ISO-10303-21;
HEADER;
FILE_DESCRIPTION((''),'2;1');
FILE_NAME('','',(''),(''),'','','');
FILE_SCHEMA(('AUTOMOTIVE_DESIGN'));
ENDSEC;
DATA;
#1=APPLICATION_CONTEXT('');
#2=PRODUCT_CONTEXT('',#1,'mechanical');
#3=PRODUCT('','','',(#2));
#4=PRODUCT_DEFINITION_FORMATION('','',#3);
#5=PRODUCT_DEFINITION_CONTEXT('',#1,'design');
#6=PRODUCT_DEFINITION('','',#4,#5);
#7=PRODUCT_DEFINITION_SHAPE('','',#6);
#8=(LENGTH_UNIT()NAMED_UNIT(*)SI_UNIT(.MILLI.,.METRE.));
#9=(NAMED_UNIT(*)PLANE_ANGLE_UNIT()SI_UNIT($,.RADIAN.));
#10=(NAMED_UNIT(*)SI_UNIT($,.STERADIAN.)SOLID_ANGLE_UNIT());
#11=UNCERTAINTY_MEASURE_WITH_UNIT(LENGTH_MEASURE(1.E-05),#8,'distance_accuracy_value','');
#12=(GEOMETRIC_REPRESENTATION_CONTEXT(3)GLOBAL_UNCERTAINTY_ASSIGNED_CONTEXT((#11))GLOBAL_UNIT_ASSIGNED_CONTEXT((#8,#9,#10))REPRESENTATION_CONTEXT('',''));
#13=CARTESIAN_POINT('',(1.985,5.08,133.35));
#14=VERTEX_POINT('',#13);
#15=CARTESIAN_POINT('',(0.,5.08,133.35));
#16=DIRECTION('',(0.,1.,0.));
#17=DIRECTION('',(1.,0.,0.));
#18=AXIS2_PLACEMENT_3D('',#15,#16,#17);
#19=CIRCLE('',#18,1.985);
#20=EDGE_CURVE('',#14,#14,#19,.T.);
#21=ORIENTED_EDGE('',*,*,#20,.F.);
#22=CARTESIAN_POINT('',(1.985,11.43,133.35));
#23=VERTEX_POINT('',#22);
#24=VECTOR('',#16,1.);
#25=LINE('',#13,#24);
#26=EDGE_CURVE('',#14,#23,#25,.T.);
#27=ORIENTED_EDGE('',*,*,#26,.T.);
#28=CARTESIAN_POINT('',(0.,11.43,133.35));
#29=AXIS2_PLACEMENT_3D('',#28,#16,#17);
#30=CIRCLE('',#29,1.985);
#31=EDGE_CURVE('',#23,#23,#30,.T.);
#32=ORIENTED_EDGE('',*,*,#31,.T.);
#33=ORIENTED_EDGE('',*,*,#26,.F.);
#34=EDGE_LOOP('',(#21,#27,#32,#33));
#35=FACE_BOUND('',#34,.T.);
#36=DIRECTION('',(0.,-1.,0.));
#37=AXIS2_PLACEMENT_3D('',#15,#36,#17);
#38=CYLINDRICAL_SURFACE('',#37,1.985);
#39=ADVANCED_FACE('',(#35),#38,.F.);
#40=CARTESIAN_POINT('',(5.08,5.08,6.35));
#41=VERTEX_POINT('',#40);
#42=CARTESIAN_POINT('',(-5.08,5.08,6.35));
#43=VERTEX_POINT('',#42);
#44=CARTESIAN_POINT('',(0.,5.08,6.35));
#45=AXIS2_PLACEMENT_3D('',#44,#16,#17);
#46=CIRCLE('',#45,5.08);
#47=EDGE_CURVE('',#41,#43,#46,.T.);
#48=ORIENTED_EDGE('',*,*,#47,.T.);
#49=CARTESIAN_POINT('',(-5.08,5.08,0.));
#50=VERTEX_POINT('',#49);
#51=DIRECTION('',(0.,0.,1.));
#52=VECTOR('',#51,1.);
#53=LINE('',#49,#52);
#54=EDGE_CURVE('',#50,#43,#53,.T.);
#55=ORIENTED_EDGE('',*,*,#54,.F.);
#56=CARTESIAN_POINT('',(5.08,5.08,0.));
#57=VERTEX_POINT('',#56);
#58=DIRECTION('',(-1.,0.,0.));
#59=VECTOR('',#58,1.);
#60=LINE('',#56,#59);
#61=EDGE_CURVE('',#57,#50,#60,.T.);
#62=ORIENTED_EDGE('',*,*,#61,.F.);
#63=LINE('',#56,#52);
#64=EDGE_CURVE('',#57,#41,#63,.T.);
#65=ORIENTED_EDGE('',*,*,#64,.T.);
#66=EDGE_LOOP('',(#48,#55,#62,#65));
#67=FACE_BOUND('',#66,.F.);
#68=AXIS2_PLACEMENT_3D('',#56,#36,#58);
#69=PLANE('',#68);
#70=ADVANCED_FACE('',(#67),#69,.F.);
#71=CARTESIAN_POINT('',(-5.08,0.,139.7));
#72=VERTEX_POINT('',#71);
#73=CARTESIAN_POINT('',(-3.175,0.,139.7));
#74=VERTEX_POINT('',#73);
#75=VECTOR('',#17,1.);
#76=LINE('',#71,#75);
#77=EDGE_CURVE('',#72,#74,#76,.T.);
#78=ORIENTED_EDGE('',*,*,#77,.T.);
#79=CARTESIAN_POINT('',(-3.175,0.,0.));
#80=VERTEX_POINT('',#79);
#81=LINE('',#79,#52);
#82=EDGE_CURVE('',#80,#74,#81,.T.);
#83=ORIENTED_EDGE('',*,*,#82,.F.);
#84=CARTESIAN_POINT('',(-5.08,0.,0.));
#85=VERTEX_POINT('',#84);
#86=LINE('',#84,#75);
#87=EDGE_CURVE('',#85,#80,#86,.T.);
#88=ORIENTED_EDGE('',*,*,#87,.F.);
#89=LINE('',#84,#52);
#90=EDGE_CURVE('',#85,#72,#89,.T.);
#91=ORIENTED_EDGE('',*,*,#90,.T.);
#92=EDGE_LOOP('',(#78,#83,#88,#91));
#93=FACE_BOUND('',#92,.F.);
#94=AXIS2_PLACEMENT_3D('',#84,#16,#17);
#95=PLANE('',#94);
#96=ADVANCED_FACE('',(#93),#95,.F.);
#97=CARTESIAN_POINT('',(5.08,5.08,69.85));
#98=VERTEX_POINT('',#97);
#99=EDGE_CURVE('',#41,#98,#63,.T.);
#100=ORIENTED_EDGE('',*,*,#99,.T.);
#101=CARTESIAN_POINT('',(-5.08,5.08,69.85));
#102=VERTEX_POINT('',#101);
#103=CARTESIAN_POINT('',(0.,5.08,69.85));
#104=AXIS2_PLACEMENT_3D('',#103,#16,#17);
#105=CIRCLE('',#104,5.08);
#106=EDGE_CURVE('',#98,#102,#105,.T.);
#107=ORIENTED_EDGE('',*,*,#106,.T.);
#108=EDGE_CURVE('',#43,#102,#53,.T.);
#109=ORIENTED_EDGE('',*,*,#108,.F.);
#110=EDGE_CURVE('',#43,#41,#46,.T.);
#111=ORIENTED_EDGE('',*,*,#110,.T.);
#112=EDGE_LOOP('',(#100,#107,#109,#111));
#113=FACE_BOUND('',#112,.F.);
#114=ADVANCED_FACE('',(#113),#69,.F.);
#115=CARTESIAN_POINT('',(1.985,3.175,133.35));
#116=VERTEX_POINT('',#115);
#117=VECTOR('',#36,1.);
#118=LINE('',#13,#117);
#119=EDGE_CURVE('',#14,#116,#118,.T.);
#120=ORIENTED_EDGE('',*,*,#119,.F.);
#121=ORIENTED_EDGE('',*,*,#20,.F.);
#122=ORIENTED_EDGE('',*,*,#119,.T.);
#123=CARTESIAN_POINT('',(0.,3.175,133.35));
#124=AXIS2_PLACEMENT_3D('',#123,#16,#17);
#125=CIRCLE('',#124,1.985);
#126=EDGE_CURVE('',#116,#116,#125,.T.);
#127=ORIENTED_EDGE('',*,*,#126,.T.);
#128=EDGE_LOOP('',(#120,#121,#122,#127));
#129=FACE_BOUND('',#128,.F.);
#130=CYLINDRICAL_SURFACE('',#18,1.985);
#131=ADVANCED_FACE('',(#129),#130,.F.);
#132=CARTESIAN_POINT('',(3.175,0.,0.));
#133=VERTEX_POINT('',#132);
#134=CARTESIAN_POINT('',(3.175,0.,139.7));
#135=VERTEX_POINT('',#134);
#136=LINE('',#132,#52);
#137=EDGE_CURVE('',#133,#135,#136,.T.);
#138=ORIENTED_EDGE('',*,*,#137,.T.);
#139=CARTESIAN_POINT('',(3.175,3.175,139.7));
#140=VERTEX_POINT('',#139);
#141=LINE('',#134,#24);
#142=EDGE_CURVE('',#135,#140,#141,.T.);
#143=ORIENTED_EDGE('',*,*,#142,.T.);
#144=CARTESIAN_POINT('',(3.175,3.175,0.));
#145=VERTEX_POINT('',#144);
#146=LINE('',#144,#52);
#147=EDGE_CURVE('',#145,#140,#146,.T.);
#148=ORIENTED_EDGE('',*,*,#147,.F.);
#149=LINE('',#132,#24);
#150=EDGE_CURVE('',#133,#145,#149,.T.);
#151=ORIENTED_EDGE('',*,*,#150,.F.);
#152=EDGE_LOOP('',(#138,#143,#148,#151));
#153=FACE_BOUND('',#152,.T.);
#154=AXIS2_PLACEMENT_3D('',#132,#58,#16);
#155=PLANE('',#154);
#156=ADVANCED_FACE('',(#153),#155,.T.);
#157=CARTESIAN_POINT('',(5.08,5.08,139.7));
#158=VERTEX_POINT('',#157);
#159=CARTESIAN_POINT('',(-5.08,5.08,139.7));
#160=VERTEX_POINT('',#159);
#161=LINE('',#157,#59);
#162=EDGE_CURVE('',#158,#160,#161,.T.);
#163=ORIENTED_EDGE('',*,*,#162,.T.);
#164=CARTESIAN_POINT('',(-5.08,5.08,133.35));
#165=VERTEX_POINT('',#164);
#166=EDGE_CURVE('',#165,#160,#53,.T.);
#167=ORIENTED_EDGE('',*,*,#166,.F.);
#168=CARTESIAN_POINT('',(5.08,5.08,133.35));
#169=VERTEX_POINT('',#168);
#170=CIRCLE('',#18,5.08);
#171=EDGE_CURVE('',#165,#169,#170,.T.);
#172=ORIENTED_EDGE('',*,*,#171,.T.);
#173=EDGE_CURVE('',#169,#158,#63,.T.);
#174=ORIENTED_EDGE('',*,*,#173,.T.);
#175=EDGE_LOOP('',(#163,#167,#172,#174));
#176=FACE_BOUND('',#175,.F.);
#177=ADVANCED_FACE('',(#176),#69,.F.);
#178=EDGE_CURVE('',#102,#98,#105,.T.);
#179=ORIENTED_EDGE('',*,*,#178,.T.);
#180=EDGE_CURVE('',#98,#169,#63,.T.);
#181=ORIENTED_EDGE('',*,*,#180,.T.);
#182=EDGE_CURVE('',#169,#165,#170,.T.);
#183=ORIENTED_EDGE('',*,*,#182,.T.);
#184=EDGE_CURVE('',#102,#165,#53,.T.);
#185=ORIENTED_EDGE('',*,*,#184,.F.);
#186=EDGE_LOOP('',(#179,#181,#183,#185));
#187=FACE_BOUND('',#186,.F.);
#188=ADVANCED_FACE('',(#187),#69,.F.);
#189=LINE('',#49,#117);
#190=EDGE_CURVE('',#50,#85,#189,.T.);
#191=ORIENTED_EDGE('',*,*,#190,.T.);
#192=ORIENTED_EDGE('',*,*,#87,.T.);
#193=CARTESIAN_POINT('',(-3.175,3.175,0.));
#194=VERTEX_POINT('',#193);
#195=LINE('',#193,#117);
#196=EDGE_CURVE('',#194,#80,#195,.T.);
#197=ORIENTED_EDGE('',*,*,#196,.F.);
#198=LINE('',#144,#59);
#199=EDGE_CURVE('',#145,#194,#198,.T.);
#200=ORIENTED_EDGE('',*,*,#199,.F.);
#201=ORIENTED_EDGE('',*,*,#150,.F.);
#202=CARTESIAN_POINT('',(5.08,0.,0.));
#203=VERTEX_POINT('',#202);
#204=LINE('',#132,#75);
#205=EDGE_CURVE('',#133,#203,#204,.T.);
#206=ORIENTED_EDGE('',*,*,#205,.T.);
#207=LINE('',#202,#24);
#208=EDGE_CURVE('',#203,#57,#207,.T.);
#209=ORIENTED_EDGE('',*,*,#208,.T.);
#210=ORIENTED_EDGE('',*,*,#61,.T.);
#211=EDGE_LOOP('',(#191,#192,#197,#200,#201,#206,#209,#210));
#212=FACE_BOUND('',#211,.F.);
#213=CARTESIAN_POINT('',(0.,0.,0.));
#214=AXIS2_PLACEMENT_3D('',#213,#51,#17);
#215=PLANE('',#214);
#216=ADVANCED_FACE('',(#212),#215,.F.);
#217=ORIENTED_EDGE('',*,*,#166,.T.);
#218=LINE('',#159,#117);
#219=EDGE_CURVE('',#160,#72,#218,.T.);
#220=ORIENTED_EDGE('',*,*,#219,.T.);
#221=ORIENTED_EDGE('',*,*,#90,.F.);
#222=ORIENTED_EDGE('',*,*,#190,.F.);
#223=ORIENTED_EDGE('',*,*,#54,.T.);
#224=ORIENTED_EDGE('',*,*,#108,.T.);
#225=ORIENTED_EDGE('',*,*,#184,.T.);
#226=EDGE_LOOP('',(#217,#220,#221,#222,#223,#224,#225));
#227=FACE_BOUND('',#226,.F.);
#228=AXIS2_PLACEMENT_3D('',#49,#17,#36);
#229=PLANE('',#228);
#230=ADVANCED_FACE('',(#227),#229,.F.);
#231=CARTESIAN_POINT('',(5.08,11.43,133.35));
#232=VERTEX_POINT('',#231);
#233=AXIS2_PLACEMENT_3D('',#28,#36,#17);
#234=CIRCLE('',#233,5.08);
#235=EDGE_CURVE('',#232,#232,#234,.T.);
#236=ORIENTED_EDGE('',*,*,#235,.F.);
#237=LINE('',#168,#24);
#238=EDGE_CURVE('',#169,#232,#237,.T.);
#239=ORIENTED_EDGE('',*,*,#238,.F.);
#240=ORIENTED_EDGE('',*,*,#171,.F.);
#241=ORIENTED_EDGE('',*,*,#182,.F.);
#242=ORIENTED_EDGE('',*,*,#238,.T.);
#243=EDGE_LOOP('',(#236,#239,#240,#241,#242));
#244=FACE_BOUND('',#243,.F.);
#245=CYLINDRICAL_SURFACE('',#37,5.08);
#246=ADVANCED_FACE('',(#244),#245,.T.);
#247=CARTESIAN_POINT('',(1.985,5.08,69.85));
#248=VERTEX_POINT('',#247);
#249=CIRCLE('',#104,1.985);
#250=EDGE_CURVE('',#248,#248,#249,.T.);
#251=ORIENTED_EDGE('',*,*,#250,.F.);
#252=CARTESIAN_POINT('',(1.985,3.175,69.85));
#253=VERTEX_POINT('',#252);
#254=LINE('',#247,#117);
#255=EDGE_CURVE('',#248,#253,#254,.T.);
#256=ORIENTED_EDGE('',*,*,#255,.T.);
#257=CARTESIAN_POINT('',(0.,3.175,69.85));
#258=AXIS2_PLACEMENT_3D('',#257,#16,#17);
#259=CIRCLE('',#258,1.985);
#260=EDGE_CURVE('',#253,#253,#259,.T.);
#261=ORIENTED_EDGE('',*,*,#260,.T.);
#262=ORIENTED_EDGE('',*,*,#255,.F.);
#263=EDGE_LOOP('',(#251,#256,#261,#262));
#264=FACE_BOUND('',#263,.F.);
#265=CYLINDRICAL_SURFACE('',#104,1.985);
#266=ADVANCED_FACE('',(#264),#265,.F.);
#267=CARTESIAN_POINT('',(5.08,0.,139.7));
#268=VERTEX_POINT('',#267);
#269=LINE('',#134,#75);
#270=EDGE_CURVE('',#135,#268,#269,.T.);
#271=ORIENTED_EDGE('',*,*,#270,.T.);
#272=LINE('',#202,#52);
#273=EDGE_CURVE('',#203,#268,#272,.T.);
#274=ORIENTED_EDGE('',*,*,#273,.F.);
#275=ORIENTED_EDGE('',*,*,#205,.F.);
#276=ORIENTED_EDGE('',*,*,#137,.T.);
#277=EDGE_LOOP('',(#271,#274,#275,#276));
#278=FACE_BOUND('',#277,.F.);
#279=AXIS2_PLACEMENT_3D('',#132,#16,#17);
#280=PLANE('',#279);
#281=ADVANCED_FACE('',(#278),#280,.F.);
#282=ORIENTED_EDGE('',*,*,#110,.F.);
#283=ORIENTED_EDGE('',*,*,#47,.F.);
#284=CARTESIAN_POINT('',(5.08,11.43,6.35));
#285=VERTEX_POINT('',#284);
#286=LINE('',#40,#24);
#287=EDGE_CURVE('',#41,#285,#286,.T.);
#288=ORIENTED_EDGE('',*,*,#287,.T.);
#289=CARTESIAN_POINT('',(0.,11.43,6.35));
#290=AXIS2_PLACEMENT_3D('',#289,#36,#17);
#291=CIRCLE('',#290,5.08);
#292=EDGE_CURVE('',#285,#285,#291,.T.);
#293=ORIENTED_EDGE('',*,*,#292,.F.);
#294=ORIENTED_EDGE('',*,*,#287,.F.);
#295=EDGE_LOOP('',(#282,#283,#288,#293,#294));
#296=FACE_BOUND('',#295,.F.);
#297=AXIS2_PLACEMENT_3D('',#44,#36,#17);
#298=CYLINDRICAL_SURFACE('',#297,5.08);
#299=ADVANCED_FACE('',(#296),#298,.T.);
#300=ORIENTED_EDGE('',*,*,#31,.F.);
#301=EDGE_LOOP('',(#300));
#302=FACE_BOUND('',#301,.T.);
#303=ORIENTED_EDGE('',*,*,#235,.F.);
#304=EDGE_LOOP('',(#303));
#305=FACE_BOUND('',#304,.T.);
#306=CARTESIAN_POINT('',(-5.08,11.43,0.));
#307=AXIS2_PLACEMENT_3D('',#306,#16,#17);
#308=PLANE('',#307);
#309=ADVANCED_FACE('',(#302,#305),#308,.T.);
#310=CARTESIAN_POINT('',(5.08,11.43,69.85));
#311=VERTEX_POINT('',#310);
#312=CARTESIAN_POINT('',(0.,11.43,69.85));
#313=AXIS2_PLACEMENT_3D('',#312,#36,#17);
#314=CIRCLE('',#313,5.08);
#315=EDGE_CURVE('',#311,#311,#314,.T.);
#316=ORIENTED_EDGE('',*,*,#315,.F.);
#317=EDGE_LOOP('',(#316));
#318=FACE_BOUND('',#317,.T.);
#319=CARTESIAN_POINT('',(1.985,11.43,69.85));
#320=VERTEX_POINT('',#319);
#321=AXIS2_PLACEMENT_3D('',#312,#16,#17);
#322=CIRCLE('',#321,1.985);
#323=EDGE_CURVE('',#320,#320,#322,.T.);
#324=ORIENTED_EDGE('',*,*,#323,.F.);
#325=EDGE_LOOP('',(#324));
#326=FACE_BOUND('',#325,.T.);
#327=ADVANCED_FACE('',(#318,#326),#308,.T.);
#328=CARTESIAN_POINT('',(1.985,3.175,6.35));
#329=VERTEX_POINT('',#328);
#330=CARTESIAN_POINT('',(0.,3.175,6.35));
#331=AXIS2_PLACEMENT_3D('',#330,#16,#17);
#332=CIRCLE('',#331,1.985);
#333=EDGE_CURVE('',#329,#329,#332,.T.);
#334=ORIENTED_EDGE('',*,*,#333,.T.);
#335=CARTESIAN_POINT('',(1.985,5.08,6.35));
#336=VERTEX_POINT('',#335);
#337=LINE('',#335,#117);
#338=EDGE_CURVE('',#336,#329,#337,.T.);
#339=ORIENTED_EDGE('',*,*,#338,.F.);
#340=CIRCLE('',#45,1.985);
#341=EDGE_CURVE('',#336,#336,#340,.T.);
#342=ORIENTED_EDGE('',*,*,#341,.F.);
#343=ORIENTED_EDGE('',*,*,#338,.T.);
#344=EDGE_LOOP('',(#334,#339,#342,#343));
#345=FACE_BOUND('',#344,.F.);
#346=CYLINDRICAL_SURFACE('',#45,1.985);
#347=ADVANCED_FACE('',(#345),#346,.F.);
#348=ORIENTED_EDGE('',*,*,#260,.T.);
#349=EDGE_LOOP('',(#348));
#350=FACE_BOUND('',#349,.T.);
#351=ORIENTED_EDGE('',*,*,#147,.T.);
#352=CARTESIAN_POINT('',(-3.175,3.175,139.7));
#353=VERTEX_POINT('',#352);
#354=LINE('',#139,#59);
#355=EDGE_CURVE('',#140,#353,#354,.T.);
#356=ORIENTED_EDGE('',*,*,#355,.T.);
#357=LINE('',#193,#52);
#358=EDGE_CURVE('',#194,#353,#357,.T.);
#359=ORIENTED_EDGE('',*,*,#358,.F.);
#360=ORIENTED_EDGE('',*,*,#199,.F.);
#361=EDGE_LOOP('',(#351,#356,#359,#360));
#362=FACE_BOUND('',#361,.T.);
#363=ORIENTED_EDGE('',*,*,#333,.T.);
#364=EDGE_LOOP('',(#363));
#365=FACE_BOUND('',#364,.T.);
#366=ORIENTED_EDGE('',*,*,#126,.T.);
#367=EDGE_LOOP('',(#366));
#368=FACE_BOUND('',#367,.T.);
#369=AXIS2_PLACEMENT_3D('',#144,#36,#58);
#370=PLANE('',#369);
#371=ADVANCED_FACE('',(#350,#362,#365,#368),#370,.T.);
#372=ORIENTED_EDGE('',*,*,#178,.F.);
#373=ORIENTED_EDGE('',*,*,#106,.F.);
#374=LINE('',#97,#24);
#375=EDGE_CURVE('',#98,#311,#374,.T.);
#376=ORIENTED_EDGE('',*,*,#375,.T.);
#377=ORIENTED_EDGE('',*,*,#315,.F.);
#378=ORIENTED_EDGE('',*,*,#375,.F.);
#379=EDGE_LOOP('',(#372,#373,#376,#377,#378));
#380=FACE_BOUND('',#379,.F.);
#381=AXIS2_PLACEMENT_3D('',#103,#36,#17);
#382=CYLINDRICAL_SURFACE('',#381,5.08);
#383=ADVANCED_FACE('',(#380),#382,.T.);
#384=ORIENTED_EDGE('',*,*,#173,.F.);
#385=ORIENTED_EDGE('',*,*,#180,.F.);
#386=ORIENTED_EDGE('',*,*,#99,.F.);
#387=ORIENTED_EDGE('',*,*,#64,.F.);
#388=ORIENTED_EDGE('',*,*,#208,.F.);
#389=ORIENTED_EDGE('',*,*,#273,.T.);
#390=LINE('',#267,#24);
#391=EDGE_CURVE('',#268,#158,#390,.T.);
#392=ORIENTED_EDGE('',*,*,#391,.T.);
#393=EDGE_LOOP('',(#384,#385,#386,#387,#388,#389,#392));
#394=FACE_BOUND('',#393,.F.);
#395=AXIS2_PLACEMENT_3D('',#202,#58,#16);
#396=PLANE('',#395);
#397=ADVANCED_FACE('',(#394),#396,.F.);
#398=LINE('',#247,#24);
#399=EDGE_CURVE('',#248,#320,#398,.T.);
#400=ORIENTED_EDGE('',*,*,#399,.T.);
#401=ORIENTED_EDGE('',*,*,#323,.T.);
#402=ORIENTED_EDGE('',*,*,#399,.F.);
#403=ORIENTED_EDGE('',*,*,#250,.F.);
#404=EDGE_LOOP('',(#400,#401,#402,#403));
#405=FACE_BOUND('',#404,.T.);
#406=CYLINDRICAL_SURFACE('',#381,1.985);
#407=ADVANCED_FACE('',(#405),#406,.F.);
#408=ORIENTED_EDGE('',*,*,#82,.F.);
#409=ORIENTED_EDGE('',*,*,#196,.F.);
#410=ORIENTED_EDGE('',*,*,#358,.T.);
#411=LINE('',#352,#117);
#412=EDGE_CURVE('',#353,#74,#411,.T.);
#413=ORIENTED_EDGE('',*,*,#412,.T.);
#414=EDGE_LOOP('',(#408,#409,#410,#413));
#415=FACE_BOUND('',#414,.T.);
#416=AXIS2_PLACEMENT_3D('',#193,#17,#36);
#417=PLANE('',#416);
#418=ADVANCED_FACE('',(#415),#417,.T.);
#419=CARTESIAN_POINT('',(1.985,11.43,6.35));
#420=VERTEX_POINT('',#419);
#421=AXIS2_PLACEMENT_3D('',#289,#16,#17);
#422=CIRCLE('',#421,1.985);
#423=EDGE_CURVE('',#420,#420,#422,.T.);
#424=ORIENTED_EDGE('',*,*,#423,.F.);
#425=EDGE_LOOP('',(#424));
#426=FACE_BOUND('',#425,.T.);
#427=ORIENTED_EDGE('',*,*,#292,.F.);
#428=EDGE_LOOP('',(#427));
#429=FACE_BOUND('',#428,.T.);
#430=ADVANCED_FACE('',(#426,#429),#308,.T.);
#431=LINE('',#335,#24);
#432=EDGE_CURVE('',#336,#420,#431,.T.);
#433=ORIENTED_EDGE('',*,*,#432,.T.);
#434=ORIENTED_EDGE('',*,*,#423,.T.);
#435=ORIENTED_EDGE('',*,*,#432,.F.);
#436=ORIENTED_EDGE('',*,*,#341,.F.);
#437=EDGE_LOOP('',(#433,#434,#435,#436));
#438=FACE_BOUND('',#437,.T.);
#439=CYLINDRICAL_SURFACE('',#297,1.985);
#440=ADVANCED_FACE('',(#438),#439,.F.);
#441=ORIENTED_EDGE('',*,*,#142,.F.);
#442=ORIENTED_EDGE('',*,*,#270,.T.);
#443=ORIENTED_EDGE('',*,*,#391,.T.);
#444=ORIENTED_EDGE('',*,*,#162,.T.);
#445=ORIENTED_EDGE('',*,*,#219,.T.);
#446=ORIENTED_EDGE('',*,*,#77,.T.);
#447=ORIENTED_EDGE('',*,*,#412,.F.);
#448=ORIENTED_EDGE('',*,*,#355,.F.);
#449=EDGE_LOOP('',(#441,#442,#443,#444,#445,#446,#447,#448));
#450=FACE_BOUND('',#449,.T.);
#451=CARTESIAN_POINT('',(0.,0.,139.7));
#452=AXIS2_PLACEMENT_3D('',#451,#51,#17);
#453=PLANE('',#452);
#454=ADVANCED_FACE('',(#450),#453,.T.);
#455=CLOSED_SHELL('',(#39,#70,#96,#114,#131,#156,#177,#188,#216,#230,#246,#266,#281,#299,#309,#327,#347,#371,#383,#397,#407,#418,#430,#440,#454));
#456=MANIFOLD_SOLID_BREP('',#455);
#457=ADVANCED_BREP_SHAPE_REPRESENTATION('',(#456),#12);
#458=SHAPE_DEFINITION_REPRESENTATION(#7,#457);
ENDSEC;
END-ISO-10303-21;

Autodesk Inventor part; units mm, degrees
ref_plane "YZ Plane" through (0, 0, 0) normal (1, 0, 0) x (0, 1, 0)
ref_plane "XZ Plane" through (0, 0, 0) normal (0, 1, 0) x (-1, 0, 0)
ref_plane "XY Plane" through (0, 0, 0) normal (0, 0, 1) x (1, 0, 0)
sketch "Sketch1" plane through (0, 0, 0) normal (0, 0, 1) x (1, 0, 0)
  line L0 (3.175, 0) -> (3.175, 3.175)
  line L1 (3.175, 3.175) -> (-3.175, 3.175)
  line L2 (-3.175, 3.175) -> (-3.175, 0)
  line L3 (5.08, 0) -> (5.08, 5.08)
  line L4 (5.08, 5.08) -> (-5.08, 5.08)
  line L5 (-5.08, 5.08) -> (-5.08, 0)
  line L6 (-5.08, 0) -> (-3.175, 0)
  line L7 (3.175, 0) -> (5.08, 0)
  point P0 (0, 0)
  dimension "d0" = 10.16
  dimension "d1" = 5.08
extrude "Extrusion1" add sketch "Sketch1" along normal blind 139.7
sketch "Sketch2" plane through (-5.08, 5.08, 0) normal (0, 1, 0) x (1, 0, 0)
  circle A0 centre (5.08, -6.35) radius 1.985
  circle A1 centre (5.08, -133.35) radius 1.985
  circle A2 centre (5.08, -69.85) radius 1.985
  point P0 (5.08, 0)
  dimension "d4" = 3.97
  dimension "d5" = 3.97
  dimension "d10" = 3.97
extrude "Extrusion2" cut sketch "Sketch2" against normal blind 139.7
sketch "Sketch3" plane through (-5.08, 5.08, 0) normal (0, 1, 0) x (1, 0, 0)
  circle A0 centre (5.08, -6.35) radius 1.985 projected
  circle A1 centre (5.08, -133.35) radius 1.985 projected
  circle A2 centre (5.08, -133.35) radius 5.08
  line L0 (0, 0) -> (0, -139.7) projected
  circle A3 centre (5.08, -6.35) radius 5.08
  circle A4 centre (5.08, -69.85) radius 1.985 projected
  circle A5 centre (5.08, -69.85) radius 5.08
  point P0 (5.08, 0)
extrude "Extrusion3" add sketch "Sketch3" along normal blind 6.35
properties part number "arm_xbrace_jig"
